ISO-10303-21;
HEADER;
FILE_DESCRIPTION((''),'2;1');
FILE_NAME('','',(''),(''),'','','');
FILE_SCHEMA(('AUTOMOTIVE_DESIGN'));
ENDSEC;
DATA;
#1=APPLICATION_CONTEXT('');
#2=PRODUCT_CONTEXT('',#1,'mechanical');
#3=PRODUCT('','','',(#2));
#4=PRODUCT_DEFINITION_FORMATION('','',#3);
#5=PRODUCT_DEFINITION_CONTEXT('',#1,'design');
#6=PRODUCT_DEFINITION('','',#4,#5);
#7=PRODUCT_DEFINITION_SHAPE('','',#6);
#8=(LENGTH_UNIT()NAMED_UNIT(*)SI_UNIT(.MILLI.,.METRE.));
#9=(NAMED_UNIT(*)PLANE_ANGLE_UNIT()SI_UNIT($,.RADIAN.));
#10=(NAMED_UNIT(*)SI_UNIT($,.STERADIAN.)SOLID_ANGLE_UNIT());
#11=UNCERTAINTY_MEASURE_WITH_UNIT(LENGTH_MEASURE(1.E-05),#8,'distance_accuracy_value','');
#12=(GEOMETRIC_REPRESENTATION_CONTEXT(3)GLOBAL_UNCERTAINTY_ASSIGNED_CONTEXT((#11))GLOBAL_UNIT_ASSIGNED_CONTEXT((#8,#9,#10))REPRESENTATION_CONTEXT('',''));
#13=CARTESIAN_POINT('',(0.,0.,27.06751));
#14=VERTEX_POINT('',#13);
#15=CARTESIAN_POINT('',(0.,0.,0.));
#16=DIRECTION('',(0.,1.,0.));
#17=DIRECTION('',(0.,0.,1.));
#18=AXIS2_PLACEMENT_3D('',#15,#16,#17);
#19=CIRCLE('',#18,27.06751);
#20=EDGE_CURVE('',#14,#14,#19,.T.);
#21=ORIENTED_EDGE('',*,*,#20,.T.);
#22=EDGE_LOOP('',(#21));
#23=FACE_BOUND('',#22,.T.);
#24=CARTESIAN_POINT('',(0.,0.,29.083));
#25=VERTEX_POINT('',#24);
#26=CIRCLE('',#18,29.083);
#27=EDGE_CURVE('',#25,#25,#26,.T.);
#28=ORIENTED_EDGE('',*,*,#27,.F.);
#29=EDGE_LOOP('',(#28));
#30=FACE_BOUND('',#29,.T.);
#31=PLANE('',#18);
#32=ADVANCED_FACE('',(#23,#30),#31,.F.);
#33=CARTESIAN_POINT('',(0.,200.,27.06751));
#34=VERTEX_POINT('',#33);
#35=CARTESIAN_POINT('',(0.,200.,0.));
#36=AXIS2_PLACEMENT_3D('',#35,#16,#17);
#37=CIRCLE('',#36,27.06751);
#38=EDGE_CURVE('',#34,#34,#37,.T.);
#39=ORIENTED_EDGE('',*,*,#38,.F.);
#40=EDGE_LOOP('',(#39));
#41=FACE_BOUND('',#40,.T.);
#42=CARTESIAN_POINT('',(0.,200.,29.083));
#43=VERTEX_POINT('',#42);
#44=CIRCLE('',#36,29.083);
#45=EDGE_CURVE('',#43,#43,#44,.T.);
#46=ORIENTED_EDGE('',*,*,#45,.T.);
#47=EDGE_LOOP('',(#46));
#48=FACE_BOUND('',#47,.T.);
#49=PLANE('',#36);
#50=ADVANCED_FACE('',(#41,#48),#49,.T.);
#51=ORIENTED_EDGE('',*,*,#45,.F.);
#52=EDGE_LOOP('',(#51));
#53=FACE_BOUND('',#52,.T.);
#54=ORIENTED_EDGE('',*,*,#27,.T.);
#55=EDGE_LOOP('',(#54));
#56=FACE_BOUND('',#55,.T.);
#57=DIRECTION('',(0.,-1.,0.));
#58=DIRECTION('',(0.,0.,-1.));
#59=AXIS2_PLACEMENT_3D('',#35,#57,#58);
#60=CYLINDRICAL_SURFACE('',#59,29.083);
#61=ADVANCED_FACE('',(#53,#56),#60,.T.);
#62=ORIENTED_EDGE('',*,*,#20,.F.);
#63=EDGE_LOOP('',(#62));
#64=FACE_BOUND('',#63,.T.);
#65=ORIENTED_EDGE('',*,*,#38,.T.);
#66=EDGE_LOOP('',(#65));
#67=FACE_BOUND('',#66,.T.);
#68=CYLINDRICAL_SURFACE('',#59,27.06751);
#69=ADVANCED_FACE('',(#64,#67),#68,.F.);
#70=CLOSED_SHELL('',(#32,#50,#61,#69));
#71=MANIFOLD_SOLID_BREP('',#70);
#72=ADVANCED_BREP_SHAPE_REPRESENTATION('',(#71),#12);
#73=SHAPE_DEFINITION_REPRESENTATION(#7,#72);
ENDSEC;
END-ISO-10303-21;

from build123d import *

# Parameters (mm, degrees)
SKETCH1_R           = 29.083
SKETCH1_R_2         = 27.06751
BOSS_EXTRUDE1_DEPTH = 200


with BuildPart() as part:
    # Sketch1 → Boss-Extrude1 (new body)
    with BuildSketch(Plane(origin=(0, 0, 0), x_dir=(1, 0, 0), z_dir=(0, 1, 0))):
        Circle(SKETCH1_R)
        Circle(SKETCH1_R_2, mode=Mode.SUBTRACT)
    extrude(amount=BOSS_EXTRUDE1_DEPTH)


solid = part.part
